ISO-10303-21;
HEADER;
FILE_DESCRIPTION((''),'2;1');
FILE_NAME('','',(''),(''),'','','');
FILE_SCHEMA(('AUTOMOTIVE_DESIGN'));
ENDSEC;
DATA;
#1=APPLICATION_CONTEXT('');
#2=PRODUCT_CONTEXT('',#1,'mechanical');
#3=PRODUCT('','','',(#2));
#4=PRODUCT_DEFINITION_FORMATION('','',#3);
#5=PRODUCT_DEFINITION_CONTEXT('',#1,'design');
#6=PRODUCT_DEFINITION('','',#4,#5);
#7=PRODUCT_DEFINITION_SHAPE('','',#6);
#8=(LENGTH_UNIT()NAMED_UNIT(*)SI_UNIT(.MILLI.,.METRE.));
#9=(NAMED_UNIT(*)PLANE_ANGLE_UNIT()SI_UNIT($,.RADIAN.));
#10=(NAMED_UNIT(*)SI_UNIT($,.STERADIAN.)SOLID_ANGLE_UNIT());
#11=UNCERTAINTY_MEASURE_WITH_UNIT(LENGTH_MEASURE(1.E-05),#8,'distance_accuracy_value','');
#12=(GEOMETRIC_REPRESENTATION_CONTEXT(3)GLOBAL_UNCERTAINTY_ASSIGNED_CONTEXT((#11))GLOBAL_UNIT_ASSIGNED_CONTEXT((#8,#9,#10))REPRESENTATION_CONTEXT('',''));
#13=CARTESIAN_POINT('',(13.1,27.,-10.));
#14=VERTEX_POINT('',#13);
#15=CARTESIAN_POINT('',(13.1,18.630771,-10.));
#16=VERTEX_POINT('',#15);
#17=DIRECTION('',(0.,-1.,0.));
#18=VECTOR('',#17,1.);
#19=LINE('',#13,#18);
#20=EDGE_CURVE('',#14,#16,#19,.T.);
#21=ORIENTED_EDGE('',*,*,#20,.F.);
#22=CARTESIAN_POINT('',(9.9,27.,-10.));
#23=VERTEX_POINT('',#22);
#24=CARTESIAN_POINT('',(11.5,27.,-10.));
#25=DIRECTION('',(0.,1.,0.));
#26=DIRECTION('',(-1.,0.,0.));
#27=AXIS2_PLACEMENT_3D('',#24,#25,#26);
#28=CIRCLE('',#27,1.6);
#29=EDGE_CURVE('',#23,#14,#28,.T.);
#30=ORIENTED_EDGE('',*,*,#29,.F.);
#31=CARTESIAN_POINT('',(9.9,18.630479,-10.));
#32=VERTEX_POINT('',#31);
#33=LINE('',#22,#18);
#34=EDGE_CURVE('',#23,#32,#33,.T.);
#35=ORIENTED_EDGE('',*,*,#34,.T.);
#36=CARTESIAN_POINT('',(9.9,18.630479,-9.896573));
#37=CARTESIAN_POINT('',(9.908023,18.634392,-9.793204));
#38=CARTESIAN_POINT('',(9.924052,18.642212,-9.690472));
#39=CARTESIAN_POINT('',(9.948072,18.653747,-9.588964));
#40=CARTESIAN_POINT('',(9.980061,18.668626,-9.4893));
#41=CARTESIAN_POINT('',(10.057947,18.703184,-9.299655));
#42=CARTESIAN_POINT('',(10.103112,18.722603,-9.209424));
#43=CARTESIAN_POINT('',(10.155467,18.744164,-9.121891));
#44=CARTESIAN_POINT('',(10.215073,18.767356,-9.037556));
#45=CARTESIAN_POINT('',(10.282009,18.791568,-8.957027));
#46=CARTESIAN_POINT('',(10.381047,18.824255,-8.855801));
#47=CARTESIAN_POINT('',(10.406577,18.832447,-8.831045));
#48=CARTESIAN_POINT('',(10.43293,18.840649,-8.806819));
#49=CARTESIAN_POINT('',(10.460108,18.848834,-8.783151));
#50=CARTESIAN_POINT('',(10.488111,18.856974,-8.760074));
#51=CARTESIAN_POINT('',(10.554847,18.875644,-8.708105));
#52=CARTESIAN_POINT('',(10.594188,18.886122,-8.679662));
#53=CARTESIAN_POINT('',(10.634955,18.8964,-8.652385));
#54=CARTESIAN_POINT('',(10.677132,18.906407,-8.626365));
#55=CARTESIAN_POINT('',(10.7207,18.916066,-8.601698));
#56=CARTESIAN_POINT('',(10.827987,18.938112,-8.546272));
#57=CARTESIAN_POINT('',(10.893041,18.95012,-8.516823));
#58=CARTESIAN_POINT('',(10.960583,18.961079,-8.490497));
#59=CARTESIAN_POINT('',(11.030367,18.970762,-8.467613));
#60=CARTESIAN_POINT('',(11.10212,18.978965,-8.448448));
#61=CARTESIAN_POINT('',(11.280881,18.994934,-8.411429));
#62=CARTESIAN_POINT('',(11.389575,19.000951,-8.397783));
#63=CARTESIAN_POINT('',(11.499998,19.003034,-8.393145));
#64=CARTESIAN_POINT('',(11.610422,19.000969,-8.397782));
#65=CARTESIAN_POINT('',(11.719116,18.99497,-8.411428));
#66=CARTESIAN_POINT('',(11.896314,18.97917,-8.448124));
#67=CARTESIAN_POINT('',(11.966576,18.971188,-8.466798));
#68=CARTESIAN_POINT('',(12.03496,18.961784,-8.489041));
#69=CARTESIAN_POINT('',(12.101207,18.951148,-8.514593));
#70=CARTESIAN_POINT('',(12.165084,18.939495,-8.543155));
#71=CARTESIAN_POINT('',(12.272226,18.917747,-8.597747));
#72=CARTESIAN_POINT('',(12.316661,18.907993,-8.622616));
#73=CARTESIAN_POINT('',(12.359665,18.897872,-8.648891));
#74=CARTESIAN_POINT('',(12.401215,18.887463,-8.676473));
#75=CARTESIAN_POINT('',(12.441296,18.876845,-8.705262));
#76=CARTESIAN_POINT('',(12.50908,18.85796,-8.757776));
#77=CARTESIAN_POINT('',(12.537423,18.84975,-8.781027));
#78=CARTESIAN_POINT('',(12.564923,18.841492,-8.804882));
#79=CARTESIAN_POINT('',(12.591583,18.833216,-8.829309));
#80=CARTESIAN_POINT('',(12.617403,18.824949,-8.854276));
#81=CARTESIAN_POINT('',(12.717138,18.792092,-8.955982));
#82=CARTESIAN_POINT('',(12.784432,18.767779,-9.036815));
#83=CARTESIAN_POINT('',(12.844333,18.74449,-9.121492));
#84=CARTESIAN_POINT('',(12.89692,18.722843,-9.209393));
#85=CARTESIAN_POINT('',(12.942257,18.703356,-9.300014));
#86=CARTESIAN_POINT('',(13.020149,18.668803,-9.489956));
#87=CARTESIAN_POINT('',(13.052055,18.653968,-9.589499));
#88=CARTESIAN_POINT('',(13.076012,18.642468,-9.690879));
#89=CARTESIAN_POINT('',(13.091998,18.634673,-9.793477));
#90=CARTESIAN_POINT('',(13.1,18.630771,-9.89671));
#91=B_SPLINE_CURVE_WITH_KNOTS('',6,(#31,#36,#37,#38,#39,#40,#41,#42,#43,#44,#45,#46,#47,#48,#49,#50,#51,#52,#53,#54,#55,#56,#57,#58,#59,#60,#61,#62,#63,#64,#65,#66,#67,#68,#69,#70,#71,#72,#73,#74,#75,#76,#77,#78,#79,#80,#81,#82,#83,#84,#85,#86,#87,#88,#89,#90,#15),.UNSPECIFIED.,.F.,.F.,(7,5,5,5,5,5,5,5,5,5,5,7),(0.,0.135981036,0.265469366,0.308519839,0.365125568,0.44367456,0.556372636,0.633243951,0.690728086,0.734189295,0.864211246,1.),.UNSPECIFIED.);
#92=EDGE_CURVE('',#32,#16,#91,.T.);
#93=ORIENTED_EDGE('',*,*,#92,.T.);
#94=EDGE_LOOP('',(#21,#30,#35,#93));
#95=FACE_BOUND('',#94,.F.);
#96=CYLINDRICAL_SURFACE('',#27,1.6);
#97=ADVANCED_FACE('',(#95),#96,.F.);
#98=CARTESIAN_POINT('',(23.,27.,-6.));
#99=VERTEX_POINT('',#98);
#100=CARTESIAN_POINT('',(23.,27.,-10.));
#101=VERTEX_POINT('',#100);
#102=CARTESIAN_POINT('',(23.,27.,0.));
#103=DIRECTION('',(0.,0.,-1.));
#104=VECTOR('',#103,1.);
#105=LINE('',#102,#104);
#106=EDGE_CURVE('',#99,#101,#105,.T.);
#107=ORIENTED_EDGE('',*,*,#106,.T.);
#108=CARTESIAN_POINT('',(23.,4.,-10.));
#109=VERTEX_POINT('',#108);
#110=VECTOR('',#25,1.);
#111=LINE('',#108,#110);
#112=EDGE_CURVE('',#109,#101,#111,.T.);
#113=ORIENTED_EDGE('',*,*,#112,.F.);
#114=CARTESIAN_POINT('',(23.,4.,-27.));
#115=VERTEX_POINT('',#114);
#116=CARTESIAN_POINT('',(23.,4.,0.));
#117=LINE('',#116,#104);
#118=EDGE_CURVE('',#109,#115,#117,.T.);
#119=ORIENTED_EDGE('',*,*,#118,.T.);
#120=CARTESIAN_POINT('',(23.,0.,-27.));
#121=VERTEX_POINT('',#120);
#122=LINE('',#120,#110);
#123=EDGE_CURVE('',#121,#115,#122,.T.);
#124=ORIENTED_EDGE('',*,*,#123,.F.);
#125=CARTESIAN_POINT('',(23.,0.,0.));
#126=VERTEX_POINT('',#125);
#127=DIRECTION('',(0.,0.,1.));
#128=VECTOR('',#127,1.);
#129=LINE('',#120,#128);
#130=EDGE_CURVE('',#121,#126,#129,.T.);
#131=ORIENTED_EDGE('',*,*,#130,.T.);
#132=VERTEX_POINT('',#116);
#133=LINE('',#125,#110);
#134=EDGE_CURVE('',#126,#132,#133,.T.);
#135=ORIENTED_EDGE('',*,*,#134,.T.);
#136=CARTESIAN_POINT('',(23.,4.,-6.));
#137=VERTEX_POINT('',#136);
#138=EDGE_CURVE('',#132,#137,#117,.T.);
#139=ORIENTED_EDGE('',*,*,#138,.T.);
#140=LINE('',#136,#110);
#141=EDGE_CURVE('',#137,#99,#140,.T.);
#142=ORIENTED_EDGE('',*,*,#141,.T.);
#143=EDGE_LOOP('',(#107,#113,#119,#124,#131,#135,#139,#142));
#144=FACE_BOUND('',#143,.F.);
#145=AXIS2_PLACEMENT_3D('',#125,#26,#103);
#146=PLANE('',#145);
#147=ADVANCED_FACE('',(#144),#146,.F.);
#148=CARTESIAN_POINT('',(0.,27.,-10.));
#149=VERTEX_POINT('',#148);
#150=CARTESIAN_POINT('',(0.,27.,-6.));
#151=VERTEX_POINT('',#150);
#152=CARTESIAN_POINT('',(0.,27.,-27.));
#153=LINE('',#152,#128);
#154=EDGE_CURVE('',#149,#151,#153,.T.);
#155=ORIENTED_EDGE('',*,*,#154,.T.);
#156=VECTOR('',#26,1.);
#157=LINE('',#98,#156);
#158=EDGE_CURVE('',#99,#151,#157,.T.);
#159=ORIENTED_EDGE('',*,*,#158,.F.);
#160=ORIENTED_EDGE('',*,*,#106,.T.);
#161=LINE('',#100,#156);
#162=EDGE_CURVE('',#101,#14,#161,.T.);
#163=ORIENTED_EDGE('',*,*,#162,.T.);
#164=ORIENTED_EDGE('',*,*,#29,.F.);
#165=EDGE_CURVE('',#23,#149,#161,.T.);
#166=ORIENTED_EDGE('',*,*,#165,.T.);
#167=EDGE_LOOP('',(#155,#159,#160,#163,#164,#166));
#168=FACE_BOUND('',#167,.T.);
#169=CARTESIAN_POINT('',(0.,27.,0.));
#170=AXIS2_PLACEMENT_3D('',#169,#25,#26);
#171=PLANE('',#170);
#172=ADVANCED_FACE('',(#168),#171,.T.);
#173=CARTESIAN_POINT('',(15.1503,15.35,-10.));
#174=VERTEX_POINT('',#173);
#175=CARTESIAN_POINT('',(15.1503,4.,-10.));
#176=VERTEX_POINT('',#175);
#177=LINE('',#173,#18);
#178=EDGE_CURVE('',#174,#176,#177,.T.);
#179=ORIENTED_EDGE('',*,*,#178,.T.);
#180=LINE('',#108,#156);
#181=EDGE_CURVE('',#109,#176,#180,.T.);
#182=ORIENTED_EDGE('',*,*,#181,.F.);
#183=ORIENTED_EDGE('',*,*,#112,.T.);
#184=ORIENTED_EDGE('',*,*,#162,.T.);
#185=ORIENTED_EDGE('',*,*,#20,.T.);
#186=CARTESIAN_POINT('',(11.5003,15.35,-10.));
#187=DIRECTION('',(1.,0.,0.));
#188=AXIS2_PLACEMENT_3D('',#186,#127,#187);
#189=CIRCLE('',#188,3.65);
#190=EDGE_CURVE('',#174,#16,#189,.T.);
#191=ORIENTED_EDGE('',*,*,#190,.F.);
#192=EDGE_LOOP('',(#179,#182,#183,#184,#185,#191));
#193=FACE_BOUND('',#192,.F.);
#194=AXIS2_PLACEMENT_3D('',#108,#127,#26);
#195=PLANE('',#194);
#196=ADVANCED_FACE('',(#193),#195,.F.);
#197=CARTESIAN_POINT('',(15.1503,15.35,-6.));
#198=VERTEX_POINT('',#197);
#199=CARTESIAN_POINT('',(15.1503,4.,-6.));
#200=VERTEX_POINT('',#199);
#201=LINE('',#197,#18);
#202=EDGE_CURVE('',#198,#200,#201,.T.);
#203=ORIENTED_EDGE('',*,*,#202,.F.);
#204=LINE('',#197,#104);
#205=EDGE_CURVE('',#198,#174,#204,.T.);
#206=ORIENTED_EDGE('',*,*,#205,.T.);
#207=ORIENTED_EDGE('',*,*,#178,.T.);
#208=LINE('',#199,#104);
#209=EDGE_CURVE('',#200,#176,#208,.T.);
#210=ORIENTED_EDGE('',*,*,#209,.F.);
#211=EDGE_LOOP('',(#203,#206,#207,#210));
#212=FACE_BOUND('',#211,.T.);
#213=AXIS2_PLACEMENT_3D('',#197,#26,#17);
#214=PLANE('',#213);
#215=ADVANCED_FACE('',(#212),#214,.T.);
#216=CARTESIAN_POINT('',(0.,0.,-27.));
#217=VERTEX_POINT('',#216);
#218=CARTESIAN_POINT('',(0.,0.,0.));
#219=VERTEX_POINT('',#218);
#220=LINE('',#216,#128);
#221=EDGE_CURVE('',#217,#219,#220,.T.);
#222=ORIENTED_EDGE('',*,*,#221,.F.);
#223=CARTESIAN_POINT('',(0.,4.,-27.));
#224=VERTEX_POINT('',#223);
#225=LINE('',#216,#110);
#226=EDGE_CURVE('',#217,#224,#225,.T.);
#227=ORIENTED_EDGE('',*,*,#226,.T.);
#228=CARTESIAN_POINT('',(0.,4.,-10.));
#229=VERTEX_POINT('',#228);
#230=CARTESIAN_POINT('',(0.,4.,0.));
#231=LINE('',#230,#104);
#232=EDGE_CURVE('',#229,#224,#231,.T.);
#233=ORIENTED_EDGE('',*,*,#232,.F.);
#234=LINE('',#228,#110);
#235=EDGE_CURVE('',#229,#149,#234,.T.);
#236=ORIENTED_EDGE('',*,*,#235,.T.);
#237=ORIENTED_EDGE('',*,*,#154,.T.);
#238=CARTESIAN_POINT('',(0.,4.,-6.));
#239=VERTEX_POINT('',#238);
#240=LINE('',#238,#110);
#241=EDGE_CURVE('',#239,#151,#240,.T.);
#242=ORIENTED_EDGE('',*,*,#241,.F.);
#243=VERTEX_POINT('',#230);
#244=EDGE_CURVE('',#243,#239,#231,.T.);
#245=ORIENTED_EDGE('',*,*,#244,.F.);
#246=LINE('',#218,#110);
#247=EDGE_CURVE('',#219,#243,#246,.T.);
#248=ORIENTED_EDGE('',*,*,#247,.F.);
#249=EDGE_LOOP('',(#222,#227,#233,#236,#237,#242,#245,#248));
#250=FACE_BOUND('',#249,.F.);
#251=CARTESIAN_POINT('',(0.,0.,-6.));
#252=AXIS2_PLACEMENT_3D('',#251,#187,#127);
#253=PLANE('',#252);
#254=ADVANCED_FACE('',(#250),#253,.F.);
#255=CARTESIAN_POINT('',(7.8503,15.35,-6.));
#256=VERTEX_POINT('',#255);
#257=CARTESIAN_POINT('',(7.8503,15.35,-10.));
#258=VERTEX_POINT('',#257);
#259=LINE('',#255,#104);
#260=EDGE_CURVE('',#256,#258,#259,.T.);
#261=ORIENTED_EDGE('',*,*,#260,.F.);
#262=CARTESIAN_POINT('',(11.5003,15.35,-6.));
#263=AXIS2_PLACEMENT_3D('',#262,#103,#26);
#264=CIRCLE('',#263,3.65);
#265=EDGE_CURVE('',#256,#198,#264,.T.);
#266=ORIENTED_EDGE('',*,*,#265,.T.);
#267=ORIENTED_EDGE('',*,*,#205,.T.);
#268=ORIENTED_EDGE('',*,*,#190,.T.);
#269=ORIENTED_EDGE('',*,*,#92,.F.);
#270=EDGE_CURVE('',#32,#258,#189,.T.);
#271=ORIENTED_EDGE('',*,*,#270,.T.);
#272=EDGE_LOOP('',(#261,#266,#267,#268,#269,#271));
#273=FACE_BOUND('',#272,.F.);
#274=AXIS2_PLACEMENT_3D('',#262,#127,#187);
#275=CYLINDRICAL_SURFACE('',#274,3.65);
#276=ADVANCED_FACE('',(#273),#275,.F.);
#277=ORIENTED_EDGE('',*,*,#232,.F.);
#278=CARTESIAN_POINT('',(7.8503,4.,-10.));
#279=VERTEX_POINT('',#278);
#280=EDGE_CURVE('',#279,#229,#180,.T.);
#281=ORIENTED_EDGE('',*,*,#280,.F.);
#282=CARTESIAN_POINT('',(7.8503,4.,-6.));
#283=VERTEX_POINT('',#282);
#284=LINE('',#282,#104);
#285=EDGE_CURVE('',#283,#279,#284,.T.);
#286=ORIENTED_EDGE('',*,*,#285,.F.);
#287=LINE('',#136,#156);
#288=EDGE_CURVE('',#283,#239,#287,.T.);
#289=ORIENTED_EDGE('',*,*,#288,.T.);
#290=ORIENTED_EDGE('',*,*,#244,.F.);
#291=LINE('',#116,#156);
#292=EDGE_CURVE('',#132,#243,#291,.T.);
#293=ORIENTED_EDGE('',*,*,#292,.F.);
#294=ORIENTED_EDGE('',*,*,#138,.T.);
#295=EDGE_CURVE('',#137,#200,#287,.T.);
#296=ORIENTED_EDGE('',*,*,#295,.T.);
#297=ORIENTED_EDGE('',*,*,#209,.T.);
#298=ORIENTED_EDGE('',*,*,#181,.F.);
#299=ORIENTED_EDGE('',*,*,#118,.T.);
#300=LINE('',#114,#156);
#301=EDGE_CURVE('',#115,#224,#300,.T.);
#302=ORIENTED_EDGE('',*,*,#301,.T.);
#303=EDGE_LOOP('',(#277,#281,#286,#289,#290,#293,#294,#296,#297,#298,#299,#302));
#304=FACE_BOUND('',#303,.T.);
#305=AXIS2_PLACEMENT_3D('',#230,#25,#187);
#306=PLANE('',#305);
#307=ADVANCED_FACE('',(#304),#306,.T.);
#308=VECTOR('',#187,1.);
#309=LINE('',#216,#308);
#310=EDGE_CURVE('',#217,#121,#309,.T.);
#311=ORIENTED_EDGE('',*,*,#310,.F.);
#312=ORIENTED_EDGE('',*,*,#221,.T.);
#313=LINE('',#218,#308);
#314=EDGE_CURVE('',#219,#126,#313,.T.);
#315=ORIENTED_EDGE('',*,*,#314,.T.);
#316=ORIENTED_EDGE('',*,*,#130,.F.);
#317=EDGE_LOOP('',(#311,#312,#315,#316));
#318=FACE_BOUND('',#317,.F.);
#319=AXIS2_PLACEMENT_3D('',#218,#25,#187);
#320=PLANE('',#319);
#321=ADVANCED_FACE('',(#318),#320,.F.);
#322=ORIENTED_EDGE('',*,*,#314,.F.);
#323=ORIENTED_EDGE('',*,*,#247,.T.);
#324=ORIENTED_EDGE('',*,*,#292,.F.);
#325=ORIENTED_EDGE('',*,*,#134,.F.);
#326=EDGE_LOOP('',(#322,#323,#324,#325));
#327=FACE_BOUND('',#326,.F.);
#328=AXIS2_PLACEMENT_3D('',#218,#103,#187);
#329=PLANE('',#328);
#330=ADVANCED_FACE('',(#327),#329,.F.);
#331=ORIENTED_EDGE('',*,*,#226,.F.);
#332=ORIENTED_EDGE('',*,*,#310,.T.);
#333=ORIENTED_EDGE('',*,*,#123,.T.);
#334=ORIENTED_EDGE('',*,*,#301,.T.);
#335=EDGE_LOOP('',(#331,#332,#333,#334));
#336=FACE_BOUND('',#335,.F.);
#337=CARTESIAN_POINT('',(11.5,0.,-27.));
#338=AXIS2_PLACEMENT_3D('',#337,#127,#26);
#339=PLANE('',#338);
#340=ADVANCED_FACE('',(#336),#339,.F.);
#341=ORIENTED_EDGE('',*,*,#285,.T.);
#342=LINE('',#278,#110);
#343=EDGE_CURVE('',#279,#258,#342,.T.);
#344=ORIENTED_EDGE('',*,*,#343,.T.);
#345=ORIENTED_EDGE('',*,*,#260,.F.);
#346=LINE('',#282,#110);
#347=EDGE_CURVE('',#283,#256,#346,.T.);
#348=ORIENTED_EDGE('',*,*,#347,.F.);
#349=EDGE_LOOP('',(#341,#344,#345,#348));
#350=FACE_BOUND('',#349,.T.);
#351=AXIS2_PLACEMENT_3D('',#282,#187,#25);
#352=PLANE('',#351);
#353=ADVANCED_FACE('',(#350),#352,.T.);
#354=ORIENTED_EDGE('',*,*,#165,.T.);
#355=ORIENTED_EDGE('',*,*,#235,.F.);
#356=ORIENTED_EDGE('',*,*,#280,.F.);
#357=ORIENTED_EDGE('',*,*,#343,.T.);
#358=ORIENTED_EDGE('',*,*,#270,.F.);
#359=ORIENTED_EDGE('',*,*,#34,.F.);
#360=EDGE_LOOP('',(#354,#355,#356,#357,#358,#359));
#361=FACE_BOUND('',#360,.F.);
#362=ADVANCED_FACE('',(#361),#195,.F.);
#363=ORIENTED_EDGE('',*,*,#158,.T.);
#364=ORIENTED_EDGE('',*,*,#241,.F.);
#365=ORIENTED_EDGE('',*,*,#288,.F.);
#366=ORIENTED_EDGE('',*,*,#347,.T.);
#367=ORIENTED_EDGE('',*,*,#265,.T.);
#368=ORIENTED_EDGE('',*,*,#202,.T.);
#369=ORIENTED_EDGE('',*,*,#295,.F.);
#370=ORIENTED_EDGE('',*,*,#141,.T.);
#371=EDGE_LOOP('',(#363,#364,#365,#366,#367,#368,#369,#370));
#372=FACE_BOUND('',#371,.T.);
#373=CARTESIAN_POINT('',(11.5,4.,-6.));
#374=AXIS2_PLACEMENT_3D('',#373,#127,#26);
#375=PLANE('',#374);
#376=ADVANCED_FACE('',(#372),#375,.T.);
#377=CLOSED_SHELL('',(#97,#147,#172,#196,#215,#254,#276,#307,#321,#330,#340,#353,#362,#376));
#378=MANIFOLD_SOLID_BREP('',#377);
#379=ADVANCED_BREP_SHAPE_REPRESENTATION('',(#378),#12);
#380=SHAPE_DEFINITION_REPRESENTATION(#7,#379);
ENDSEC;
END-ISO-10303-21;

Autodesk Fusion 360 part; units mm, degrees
sketch "Sketch1" plane through (0, 0, 0) normal (0, 1, 0) x (1, 0, 0)
  line L0 (0, 0) -> (23, 0)
  line L1 (23, 0) -> (23, 27)
  line L2 (23, 27) -> (0, 27)
  line L3 (0, 27) -> (0, 0)
  line L4 (11.5, 0) -> (11.5, 27)
  line L5 (11.5, 0) -> (11.5, 6)
  line L6 (23, 6) -> (0, 6)
  line L7 (11.5, 6) -> (11.5, 10)
  line L8 (0, 6) -> (23, 6)
  line L9 (23, 6) -> (23, 10)
  line L10 (23, 10) -> (0, 10)
  line L11 (0, 10) -> (0, 6)
  dimension "d1" = 23
  dimension "d2" = 27
  dimension "d3" = 6
  dimension "d4" = 4
extrude "Extrude1" add sketch "Sketch1" along normal blind 4
sketch "Sketch2" plane through (0, 4, 0) normal (0, 1, 0) x (-1, 0, 0)
  line L0 (0, -27) -> (0, 0)
  line L1 (0, 0) -> (-23, 0)
  line L2 (-23, 0) -> (-23, -27)
  line L3 (-23, -27) -> (0, -27)
  line L4 (-11.5, 0) -> (-11.5, -6)
  line L5 (-23, -6) -> (0, -6)
  line L6 (0, -6) -> (0, -10)
  line L7 (0, -6) -> (-23, -6)
  line L8 (-23, -10) -> (-23, -6)
  line L9 (-23, -10) -> (0, -10)
  dimension "d7" = 6
  dimension "d8" = 4
extrude "Extrude2" add sketch "Sketch2" along normal blind 23 contours L0 L2 L5 L6 L7 L8 L9
sketch "Sketch3" plane through (0, 0, -6) normal (0, 0, 1) x (1, 0, 0)
  line L0 (0, 4) -> (23, 4)
  line L1 (23, 4) -> (23, 27)
  line L2 (23, 27) -> (0, 27)
  line L3 (0, 27) -> (0, 4)
  line L4 (11.5, 0) -> (11.5, 19)
  circle A0 centre (11.5003, 15.35) radius 3.65
  line L5 (15.1503, 15.35) -> (15.1503, 4)
  line L6 (7.8503, 4) -> (7.8503, 15.35)
  dimension "d11" = 19
  dimension "d12" = 7.3
extrude "Extrude5" cut sketch "Sketch3" against normal blind 4 contours L0 L4 A0 L6 | L0 L4 A0 L5 | L4 A0 | L4 A0
sketch "Sketch4" plane through (0, 27, 0) normal (0, 1, 0) x (-1, 0, 0)
  line L0 (0, -6) -> (-23, -6)
  line L1 (-23, -6) -> (-23, -10)
  line L2 (-23, -10) -> (0, -10)
  line L3 (0, -10) -> (0, -6)
  circle A0 centre (-11.5, -10) radius 1.6
  dimension "d15" = 3.2
extrude "Extrude4" cut sketch "Sketch4" against normal blind 9 contours L2 A0 picked at (-11.109, -9.6372)
